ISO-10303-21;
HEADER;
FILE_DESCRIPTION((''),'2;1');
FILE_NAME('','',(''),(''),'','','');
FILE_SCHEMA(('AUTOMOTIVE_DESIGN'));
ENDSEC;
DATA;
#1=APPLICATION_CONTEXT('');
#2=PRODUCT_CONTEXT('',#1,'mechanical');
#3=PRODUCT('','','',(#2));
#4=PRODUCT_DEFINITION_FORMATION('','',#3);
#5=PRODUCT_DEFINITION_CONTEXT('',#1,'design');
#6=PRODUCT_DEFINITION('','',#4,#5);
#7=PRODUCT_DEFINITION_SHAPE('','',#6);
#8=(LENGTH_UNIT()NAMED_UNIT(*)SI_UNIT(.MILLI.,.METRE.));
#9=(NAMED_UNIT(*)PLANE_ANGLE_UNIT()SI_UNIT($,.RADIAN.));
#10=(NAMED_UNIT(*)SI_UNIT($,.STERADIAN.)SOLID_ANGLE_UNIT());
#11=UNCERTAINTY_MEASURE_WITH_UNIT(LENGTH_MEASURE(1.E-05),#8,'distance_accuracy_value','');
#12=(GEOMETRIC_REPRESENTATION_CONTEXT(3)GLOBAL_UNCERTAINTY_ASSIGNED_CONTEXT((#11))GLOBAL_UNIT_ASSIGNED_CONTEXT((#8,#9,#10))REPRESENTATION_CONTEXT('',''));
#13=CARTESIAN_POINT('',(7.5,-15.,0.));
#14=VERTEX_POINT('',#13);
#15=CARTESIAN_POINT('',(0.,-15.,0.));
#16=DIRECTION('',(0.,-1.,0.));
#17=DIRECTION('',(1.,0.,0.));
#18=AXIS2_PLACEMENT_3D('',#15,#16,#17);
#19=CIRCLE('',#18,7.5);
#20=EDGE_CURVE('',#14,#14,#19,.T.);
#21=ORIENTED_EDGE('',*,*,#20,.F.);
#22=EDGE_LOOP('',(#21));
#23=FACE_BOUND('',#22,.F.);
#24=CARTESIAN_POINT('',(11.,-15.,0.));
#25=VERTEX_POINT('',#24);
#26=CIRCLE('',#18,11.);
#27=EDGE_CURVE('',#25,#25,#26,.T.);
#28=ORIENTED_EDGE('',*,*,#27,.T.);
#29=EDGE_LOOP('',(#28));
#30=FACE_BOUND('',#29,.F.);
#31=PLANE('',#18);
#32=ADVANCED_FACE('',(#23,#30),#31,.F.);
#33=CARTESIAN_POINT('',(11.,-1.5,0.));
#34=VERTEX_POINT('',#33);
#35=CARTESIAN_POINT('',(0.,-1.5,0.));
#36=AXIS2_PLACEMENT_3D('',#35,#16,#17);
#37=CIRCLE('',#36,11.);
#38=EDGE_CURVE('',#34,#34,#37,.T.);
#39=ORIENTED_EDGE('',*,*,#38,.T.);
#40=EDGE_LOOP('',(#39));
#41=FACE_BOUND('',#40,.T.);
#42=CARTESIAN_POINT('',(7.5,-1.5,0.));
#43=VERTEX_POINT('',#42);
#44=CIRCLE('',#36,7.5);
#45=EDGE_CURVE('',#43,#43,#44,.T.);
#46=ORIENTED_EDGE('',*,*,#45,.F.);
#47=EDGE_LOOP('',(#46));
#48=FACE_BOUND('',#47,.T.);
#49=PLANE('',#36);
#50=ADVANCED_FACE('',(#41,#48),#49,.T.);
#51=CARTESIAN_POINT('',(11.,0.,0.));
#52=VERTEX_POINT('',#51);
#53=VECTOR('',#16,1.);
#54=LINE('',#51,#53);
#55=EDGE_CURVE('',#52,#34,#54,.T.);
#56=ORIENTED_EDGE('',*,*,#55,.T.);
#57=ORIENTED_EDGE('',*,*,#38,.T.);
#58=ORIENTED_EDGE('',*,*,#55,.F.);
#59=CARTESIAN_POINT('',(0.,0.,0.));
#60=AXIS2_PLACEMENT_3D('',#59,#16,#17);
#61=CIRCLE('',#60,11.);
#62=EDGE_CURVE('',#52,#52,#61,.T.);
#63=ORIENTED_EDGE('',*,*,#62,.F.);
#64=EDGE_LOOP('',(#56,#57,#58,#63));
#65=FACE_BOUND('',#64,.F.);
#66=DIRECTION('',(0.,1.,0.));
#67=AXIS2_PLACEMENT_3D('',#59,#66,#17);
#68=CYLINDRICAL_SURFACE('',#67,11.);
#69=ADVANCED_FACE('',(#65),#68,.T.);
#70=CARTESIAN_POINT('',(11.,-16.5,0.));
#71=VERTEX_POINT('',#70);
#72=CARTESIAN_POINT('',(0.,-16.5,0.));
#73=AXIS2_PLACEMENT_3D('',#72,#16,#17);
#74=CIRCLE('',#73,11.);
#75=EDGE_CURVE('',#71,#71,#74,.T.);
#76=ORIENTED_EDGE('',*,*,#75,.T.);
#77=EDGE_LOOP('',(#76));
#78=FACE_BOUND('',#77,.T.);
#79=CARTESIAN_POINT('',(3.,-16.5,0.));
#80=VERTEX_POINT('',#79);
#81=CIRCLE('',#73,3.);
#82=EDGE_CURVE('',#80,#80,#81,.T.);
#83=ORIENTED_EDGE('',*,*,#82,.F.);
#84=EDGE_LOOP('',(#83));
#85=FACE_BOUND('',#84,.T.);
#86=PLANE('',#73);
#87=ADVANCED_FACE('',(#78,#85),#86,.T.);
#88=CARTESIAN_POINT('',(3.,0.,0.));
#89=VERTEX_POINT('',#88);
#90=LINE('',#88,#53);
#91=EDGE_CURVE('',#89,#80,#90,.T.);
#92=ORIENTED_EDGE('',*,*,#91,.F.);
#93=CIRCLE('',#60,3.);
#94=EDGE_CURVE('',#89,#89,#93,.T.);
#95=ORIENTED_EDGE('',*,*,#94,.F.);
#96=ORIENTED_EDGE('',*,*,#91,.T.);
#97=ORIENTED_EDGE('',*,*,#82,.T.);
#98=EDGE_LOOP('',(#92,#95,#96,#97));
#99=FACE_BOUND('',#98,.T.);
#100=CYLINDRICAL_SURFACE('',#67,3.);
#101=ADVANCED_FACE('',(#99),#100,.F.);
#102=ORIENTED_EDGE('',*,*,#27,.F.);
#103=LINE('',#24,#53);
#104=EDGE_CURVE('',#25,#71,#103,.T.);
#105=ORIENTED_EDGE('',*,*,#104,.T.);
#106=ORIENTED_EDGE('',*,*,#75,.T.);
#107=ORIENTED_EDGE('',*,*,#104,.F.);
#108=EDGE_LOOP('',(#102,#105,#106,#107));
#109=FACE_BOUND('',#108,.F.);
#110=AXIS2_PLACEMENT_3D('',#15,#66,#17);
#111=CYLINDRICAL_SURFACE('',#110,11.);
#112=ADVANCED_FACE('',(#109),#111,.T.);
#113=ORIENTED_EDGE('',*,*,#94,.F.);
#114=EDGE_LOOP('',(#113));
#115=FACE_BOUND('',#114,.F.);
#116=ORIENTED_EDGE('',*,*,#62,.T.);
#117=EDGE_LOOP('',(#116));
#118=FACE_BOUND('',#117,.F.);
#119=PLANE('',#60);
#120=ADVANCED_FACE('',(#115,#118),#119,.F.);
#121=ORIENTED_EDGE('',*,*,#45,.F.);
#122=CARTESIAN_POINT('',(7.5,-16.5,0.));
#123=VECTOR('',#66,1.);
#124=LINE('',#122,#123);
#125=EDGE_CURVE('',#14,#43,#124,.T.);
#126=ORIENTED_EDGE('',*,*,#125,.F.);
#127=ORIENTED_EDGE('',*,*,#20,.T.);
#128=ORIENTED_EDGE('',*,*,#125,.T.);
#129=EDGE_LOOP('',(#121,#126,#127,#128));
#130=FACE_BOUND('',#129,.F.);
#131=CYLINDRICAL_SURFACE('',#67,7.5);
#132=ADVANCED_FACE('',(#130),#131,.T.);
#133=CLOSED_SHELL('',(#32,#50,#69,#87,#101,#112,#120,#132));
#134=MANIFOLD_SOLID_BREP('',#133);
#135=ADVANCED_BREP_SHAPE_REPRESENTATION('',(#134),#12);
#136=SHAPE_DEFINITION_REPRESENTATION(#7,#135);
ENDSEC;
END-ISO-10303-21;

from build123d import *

# Parameters (mm, degrees)
F0_R        = 7.5
F0_R_2      = 3
F1_DEPTH    = 15
F0_R_3      = 11
F1_FACE_R   = 7.5
F1_FACE_R_2 = 3
F2_DEPTH    = 1.5
F3_START    = 13.5
F2_FACE_R   = 11
F2_FACE_R_2 = 7.5
F3_DEPTH    = 1.5


with BuildPart() as f1:
    # F0 (on Front) → F1 (new body)
    with BuildSketch(Plane.XZ):
        Circle(F0_R)
        Circle(F0_R_2, mode=Mode.SUBTRACT)
    extrude(amount=F1_DEPTH)

    # F0 (on Front) + F1_face (on face) → F2 (join)
    with BuildSketch(Plane.XZ):
        Circle(F0_R_3)
        Circle(F0_R, mode=Mode.SUBTRACT)
    with BuildSketch(Plane.XZ.offset(15)):
        Circle(F1_FACE_R)
        Circle(F1_FACE_R_2, mode=Mode.SUBTRACT)
    extrude(amount=F2_DEPTH)

    # F2_face (on face) → F3 (join)
    with BuildSketch(Plane.XZ.offset(1.5).offset(F3_START)):
        Circle(F2_FACE_R)
        Circle(F2_FACE_R_2, mode=Mode.SUBTRACT)
    extrude(amount=F3_DEPTH)


solid = f1.part
